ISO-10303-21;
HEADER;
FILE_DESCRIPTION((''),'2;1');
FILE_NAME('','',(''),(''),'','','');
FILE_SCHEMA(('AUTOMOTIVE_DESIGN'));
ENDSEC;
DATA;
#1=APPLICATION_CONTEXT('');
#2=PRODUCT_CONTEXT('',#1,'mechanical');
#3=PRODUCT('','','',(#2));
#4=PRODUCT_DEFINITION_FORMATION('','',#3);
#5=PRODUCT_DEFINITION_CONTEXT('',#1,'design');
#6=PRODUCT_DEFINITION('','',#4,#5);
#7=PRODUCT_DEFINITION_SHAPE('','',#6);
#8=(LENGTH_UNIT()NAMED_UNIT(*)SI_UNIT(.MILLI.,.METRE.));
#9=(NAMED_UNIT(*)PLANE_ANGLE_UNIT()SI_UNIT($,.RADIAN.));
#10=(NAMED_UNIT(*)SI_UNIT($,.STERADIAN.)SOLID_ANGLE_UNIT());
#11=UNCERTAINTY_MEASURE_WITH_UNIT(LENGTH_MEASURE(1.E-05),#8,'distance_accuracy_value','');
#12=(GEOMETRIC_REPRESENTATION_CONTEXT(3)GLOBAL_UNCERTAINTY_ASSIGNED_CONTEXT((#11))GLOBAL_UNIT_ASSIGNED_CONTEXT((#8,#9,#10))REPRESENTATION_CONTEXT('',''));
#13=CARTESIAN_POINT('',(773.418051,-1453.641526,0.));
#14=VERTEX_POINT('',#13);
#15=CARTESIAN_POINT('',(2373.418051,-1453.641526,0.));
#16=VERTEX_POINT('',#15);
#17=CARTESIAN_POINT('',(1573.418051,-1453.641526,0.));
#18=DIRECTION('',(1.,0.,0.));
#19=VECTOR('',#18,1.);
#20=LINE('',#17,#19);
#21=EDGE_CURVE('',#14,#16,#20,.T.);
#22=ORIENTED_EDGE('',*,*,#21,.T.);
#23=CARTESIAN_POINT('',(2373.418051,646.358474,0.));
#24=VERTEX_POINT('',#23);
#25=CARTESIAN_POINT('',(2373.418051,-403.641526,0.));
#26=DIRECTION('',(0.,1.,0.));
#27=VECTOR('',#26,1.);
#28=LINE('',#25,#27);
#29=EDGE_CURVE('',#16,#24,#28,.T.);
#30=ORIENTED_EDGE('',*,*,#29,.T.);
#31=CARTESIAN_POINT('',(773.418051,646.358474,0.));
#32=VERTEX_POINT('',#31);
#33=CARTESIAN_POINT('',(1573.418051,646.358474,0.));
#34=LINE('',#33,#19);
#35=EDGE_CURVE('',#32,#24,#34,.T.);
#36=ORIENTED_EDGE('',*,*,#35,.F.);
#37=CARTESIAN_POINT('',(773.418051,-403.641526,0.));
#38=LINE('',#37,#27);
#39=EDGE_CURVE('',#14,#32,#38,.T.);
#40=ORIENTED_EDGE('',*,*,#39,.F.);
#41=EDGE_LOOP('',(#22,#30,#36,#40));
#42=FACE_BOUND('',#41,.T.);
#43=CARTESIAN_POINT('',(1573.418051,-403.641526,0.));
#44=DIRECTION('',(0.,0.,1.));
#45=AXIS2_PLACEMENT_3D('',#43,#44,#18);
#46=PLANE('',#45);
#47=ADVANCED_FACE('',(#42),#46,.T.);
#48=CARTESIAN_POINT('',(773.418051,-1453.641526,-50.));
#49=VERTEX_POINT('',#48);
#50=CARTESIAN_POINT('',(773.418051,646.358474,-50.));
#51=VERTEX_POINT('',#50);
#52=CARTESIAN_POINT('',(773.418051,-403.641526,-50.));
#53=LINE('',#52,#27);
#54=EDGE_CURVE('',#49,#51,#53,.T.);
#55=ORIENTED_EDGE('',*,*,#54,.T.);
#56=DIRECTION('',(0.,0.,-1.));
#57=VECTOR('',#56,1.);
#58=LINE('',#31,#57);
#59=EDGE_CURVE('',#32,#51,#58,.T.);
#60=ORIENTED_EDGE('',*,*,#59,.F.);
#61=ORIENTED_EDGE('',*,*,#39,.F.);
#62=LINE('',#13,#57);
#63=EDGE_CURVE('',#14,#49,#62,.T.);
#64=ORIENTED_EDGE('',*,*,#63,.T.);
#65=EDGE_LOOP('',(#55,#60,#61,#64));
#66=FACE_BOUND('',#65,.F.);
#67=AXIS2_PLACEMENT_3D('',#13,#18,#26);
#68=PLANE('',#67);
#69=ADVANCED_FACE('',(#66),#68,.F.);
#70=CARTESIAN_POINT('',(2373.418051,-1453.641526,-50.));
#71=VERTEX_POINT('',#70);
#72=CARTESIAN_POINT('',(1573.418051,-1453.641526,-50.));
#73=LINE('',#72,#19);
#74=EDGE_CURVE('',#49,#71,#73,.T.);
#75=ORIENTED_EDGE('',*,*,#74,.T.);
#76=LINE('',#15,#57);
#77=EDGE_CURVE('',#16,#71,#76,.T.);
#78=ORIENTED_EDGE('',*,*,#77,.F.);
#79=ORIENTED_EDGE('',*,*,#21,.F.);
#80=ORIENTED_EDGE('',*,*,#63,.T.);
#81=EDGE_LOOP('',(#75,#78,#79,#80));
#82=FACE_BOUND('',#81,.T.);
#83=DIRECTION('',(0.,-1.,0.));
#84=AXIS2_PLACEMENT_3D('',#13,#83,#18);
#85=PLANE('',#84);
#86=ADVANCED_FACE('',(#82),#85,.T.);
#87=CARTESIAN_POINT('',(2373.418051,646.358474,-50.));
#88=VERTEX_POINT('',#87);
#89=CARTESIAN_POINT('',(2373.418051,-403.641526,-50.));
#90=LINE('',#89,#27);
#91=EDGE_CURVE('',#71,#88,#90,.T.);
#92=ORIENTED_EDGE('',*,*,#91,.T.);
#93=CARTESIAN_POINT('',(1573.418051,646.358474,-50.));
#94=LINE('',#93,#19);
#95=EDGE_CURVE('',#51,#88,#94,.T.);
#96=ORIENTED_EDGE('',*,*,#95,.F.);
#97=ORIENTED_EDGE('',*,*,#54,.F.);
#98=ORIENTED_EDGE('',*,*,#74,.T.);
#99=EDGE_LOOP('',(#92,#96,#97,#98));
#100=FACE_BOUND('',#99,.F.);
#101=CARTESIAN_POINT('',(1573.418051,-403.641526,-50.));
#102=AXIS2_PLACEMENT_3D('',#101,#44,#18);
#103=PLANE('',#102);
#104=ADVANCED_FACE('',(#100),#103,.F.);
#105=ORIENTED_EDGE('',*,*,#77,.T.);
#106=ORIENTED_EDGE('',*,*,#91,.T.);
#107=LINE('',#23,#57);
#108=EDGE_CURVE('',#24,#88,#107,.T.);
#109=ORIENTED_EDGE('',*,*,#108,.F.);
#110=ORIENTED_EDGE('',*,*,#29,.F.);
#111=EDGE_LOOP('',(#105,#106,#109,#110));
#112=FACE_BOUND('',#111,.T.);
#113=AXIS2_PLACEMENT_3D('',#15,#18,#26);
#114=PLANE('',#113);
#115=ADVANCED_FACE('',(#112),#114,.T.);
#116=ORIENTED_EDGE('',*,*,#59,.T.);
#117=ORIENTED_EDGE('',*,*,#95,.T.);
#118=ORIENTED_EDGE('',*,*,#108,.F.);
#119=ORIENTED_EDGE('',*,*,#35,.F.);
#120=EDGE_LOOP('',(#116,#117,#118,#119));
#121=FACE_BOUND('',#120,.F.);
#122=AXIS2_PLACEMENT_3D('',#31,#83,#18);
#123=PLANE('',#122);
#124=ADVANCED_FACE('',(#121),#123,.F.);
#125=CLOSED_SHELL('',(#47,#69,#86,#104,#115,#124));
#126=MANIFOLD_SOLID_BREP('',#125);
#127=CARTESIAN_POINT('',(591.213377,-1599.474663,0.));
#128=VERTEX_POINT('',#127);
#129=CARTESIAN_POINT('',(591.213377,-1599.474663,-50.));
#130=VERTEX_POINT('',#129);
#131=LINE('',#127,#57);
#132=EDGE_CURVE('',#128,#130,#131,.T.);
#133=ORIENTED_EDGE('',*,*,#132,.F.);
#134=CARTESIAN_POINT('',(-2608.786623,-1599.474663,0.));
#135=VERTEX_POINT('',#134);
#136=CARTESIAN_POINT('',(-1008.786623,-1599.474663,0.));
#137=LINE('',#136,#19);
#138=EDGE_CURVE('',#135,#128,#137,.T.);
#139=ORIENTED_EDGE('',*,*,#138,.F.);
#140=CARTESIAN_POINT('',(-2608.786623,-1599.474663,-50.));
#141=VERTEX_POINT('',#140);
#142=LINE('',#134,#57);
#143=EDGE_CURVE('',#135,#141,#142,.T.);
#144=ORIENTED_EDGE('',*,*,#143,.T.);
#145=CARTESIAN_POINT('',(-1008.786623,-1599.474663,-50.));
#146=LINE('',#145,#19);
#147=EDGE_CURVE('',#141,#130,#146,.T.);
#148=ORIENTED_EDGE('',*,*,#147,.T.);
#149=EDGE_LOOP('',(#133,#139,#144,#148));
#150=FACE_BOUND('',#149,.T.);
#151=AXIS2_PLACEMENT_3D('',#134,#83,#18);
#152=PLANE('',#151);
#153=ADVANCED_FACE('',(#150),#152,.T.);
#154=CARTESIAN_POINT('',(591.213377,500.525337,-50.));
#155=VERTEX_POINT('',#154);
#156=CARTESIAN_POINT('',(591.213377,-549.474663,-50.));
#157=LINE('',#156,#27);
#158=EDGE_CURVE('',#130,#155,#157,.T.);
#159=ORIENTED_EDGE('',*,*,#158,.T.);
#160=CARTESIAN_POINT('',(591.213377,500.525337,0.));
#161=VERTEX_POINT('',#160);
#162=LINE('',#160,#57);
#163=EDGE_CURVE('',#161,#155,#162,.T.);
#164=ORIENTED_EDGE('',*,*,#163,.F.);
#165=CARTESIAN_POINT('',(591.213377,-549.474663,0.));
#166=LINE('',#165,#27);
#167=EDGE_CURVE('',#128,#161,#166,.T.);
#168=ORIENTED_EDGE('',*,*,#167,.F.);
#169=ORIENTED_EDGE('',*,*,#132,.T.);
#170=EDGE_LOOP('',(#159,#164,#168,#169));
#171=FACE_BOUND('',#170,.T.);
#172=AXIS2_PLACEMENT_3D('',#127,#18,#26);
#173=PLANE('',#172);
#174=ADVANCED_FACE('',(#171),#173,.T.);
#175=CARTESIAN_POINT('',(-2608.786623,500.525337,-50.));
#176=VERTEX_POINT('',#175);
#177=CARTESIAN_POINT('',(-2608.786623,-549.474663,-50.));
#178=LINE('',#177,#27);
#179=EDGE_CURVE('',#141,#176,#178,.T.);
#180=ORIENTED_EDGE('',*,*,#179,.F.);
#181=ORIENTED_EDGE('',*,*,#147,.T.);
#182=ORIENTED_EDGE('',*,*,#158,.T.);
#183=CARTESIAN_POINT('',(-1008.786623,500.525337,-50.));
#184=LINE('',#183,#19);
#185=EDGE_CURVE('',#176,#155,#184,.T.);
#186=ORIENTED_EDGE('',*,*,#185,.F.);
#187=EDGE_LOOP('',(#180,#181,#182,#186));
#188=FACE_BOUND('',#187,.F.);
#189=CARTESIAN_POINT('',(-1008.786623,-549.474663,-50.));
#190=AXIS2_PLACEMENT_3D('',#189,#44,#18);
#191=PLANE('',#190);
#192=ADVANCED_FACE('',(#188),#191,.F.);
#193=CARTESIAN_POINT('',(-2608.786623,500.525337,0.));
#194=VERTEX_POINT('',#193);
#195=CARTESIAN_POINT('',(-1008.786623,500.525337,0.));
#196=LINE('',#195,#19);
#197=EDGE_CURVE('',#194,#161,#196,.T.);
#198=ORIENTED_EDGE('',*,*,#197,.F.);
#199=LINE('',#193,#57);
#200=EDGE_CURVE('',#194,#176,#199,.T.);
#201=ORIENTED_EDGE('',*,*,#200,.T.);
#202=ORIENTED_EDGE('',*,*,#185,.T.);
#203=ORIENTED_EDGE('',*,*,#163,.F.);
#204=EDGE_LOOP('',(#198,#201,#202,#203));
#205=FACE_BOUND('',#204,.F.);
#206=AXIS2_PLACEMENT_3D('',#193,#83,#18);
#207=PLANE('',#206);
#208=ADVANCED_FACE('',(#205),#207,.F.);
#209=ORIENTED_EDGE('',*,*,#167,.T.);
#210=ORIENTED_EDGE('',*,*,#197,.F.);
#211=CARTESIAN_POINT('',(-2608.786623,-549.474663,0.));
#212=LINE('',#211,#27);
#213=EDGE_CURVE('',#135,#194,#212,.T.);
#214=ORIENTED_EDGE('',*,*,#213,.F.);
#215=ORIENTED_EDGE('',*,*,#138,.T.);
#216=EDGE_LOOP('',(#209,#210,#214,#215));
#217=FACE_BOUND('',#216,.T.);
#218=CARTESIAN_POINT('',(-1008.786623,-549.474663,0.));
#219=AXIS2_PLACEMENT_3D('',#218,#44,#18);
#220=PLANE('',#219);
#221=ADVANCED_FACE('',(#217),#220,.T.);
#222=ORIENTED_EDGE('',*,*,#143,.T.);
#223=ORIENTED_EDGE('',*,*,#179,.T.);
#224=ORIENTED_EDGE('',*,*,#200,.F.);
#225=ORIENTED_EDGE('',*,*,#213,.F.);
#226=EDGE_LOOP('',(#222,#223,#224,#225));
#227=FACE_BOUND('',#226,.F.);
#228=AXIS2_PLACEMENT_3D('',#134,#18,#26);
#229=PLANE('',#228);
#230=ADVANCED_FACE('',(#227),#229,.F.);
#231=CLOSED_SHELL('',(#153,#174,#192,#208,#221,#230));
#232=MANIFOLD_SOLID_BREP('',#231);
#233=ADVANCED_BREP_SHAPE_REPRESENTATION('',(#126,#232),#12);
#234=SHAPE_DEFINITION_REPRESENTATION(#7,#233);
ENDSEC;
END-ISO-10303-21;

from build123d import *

# Parameters (mm, degrees)
F0_W     = 3200
F0_H     = 2100
F1_DEPTH = 50
F2_W     = 1600
F2_H     = 2100
F3_DEPTH = 50


with BuildPart() as f1:
    # F0 (on Top) → F1 (new body)
    with BuildSketch(Plane.XY):
        with Locations((-1008.786623, -549.474663)):
            Rectangle(F0_W, F0_H)
    extrude(amount=-F1_DEPTH)


with BuildPart() as f3:
    # F2 (on Top) → F3 (new body)
    with BuildSketch(Plane.XY):
        with Locations((1573.418051, -403.641526)):
            Rectangle(F2_W, F2_H)
    extrude(amount=-F3_DEPTH)


solid = Compound([f1.part, f3.part])
